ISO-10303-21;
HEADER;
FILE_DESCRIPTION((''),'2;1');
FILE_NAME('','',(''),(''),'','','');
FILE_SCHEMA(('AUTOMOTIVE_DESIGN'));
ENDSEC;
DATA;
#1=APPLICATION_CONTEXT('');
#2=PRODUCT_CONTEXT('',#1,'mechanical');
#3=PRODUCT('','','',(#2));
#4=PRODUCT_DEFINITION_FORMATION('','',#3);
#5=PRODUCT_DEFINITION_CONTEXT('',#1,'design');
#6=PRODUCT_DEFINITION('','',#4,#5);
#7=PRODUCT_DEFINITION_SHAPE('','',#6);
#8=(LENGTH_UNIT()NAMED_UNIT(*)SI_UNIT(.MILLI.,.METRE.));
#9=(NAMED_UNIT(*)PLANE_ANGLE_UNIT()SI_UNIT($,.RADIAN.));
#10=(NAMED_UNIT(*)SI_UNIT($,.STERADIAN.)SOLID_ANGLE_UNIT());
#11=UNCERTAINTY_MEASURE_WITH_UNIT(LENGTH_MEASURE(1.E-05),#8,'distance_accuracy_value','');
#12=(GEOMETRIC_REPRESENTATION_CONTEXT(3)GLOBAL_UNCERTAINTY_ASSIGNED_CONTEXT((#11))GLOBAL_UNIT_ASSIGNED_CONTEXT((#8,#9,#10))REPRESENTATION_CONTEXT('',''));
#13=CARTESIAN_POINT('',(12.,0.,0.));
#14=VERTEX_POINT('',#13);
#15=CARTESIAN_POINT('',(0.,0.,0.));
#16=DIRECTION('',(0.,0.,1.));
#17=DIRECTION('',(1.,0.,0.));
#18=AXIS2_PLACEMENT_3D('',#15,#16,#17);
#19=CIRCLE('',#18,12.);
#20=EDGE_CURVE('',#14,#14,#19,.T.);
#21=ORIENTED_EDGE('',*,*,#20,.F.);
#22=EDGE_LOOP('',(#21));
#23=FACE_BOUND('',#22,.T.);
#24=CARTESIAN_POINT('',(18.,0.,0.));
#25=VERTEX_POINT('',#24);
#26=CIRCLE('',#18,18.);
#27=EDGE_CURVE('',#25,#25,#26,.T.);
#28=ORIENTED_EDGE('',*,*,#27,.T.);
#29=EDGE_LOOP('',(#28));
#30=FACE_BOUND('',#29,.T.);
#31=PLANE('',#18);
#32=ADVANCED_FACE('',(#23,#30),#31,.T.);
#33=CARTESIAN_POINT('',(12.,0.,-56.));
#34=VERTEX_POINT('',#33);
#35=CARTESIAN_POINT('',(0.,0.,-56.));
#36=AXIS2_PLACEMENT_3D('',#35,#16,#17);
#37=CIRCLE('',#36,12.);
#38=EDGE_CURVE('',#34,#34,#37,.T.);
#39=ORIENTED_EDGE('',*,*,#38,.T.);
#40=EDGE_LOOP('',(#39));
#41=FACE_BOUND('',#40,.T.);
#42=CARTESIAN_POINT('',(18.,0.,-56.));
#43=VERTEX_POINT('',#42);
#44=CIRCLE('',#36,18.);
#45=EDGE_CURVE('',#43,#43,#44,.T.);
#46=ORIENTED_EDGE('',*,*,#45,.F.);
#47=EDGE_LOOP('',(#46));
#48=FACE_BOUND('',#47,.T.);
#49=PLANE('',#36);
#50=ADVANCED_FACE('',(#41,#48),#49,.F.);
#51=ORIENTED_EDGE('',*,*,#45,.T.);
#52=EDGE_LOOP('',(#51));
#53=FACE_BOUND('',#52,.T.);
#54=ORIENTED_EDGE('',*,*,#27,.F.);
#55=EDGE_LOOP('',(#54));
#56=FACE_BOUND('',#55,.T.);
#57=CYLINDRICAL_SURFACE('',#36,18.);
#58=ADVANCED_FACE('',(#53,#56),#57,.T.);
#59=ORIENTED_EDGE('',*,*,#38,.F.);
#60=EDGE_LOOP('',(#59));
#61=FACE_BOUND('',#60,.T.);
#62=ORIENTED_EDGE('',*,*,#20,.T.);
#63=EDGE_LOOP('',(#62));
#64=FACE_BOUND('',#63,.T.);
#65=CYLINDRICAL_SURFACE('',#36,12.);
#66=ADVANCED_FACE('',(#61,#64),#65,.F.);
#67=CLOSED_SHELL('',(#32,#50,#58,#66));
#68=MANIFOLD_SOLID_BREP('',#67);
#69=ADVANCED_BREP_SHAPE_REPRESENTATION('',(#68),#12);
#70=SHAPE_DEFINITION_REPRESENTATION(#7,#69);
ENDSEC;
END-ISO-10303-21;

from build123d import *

# Parameters (mm, degrees)
SKETCH_1_R      = 18
SKETCH_1_R_2    = 12
EXTRUDE_1_DEPTH = 56


with BuildPart() as part:
    # Эскиз1 → Бобышка-Вытянуть1 (new body)
    with BuildSketch(Plane.XY):
        Circle(SKETCH_1_R)
        Circle(SKETCH_1_R_2, mode=Mode.SUBTRACT)
    extrude(amount=-EXTRUDE_1_DEPTH)


solid = part.part
